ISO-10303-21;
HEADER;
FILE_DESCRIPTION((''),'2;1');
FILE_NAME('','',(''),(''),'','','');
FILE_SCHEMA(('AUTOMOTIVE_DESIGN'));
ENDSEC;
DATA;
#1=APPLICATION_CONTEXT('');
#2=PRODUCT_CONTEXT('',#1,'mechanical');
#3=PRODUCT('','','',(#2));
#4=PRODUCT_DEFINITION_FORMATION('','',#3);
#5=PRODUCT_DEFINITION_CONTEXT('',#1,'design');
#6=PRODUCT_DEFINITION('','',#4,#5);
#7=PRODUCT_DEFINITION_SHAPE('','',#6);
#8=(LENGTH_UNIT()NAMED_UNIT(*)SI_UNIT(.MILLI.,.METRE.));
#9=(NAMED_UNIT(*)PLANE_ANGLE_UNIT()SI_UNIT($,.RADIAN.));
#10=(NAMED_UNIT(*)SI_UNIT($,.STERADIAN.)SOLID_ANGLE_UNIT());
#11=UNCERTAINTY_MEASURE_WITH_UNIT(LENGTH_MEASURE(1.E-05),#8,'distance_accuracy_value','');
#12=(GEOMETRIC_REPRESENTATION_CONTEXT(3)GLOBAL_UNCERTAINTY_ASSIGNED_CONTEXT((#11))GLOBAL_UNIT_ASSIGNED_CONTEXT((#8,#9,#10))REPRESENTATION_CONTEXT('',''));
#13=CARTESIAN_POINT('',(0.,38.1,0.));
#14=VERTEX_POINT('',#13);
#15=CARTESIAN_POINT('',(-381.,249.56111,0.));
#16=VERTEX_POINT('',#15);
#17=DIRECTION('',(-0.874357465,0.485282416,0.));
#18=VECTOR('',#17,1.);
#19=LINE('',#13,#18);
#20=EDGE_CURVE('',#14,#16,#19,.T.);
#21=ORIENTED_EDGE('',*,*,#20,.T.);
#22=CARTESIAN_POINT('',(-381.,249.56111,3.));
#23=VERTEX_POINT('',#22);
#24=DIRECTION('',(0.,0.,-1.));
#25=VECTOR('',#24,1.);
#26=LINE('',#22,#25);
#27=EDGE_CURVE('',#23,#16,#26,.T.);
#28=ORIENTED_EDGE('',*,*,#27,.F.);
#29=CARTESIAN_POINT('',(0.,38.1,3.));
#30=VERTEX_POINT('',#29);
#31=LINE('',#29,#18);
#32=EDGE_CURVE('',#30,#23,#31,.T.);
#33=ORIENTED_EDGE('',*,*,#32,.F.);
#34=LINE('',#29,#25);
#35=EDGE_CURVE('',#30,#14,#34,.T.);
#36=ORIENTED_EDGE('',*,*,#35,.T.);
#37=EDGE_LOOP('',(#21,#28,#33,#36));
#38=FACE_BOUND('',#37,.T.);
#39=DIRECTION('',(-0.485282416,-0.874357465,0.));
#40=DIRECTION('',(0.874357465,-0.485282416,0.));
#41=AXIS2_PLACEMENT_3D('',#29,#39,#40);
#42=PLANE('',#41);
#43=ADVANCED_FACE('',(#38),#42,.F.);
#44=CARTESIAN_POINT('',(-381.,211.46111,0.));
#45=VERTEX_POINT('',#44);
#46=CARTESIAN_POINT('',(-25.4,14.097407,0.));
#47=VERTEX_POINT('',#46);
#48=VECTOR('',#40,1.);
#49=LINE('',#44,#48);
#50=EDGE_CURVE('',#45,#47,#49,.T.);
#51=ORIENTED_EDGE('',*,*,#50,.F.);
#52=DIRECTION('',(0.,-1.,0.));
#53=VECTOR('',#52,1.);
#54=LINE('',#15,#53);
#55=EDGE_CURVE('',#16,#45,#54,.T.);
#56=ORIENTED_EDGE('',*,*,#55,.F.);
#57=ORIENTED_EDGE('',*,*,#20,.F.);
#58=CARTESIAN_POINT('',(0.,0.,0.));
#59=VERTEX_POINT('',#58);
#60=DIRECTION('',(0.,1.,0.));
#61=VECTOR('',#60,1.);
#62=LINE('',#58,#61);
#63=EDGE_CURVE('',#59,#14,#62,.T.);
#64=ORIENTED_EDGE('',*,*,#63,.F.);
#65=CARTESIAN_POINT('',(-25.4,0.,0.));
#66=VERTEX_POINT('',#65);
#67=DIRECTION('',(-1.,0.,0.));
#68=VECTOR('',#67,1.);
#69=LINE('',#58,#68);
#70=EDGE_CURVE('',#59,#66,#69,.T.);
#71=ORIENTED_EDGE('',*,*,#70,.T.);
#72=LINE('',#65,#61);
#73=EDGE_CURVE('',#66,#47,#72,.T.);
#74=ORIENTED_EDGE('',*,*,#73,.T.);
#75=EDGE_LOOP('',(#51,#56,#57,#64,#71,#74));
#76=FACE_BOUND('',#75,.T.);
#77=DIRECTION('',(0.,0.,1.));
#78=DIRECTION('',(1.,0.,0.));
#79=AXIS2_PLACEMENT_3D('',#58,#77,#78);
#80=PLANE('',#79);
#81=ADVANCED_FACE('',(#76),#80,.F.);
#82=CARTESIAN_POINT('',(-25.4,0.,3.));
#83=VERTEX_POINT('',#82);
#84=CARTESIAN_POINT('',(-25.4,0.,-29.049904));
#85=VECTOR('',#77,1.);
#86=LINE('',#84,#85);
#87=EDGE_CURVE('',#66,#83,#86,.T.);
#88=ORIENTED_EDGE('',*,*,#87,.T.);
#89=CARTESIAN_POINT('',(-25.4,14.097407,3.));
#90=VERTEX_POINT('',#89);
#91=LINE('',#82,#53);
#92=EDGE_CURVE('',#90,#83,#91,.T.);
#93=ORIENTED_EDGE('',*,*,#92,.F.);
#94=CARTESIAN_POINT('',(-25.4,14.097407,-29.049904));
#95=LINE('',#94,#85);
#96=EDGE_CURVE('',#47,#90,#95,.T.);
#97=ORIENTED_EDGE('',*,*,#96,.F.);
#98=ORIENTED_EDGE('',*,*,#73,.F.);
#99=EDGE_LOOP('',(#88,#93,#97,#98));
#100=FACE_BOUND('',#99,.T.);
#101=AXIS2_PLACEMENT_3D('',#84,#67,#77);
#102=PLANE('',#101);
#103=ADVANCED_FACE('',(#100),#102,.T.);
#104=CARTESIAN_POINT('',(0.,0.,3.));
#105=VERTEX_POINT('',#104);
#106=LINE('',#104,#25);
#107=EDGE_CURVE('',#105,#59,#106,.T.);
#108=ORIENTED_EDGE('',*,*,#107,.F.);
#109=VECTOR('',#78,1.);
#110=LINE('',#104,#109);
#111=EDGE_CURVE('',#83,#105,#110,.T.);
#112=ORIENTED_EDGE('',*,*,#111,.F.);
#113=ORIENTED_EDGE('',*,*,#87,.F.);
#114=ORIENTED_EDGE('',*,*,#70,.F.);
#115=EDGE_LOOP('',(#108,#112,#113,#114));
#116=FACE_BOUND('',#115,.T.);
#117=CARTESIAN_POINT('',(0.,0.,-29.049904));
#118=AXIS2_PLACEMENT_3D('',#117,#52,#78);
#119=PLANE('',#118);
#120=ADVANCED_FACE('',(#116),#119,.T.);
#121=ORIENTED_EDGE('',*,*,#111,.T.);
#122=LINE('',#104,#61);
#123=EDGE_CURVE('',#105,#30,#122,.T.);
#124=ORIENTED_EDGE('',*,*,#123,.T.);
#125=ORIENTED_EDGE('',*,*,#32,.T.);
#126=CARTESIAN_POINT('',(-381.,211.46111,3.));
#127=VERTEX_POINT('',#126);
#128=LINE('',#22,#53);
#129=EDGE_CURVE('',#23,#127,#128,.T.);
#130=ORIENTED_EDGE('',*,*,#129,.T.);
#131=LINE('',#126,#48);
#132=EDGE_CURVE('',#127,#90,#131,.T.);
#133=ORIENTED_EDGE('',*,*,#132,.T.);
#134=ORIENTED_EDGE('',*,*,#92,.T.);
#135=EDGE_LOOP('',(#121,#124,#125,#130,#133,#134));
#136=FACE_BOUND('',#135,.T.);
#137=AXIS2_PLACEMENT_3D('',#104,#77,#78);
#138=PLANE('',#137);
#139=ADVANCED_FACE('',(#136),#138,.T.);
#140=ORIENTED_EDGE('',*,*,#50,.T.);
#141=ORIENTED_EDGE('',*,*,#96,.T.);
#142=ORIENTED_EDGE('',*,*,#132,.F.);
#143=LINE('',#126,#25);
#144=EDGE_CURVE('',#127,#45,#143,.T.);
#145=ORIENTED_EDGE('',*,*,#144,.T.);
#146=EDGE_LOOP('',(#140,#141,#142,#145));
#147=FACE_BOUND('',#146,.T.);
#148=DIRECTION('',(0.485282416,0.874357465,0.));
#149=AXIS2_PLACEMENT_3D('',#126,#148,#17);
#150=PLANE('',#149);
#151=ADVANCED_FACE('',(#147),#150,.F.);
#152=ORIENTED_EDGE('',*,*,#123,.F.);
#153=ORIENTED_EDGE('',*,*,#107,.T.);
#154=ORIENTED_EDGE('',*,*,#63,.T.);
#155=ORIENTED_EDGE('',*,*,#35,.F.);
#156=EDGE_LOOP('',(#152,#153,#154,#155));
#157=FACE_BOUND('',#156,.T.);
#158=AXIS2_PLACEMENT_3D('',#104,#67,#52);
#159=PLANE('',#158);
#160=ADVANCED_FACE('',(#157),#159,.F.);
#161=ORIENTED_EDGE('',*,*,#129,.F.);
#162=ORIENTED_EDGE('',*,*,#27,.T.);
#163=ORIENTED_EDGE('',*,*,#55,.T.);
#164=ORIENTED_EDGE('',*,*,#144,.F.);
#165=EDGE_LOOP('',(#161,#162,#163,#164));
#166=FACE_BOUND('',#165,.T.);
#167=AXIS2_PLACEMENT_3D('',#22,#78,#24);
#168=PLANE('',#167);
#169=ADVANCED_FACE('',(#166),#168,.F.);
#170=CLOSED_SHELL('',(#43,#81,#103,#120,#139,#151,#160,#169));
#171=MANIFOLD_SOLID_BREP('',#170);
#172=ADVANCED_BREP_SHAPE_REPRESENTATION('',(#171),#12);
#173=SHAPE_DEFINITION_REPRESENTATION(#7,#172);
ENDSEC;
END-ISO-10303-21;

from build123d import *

# Parameters (mm, degrees)
BOSS_EXTRUDE1_DEPTH = 3
BOSS_EXTRUDE2_DEPTH = 3


with BuildPart() as part:
    # Sketch1 → Boss-Extrude1 (new body)
    with BuildSketch(Plane.XY):
        Polygon((-381, 211.461110197), (0, 0), (0, 38.1), (-381, 249.561110197), align=None)
    extrude(amount=BOSS_EXTRUDE1_DEPTH)

    # Sketch3 → Boss-Extrude2 (add)
    with BuildSketch(Plane.XY.offset(3)):
        Polygon((0, 0), (-25.4, 0), (-25.4, 14.097407346), align=None)
    extrude(amount=-BOSS_EXTRUDE2_DEPTH)


solid = part.part
